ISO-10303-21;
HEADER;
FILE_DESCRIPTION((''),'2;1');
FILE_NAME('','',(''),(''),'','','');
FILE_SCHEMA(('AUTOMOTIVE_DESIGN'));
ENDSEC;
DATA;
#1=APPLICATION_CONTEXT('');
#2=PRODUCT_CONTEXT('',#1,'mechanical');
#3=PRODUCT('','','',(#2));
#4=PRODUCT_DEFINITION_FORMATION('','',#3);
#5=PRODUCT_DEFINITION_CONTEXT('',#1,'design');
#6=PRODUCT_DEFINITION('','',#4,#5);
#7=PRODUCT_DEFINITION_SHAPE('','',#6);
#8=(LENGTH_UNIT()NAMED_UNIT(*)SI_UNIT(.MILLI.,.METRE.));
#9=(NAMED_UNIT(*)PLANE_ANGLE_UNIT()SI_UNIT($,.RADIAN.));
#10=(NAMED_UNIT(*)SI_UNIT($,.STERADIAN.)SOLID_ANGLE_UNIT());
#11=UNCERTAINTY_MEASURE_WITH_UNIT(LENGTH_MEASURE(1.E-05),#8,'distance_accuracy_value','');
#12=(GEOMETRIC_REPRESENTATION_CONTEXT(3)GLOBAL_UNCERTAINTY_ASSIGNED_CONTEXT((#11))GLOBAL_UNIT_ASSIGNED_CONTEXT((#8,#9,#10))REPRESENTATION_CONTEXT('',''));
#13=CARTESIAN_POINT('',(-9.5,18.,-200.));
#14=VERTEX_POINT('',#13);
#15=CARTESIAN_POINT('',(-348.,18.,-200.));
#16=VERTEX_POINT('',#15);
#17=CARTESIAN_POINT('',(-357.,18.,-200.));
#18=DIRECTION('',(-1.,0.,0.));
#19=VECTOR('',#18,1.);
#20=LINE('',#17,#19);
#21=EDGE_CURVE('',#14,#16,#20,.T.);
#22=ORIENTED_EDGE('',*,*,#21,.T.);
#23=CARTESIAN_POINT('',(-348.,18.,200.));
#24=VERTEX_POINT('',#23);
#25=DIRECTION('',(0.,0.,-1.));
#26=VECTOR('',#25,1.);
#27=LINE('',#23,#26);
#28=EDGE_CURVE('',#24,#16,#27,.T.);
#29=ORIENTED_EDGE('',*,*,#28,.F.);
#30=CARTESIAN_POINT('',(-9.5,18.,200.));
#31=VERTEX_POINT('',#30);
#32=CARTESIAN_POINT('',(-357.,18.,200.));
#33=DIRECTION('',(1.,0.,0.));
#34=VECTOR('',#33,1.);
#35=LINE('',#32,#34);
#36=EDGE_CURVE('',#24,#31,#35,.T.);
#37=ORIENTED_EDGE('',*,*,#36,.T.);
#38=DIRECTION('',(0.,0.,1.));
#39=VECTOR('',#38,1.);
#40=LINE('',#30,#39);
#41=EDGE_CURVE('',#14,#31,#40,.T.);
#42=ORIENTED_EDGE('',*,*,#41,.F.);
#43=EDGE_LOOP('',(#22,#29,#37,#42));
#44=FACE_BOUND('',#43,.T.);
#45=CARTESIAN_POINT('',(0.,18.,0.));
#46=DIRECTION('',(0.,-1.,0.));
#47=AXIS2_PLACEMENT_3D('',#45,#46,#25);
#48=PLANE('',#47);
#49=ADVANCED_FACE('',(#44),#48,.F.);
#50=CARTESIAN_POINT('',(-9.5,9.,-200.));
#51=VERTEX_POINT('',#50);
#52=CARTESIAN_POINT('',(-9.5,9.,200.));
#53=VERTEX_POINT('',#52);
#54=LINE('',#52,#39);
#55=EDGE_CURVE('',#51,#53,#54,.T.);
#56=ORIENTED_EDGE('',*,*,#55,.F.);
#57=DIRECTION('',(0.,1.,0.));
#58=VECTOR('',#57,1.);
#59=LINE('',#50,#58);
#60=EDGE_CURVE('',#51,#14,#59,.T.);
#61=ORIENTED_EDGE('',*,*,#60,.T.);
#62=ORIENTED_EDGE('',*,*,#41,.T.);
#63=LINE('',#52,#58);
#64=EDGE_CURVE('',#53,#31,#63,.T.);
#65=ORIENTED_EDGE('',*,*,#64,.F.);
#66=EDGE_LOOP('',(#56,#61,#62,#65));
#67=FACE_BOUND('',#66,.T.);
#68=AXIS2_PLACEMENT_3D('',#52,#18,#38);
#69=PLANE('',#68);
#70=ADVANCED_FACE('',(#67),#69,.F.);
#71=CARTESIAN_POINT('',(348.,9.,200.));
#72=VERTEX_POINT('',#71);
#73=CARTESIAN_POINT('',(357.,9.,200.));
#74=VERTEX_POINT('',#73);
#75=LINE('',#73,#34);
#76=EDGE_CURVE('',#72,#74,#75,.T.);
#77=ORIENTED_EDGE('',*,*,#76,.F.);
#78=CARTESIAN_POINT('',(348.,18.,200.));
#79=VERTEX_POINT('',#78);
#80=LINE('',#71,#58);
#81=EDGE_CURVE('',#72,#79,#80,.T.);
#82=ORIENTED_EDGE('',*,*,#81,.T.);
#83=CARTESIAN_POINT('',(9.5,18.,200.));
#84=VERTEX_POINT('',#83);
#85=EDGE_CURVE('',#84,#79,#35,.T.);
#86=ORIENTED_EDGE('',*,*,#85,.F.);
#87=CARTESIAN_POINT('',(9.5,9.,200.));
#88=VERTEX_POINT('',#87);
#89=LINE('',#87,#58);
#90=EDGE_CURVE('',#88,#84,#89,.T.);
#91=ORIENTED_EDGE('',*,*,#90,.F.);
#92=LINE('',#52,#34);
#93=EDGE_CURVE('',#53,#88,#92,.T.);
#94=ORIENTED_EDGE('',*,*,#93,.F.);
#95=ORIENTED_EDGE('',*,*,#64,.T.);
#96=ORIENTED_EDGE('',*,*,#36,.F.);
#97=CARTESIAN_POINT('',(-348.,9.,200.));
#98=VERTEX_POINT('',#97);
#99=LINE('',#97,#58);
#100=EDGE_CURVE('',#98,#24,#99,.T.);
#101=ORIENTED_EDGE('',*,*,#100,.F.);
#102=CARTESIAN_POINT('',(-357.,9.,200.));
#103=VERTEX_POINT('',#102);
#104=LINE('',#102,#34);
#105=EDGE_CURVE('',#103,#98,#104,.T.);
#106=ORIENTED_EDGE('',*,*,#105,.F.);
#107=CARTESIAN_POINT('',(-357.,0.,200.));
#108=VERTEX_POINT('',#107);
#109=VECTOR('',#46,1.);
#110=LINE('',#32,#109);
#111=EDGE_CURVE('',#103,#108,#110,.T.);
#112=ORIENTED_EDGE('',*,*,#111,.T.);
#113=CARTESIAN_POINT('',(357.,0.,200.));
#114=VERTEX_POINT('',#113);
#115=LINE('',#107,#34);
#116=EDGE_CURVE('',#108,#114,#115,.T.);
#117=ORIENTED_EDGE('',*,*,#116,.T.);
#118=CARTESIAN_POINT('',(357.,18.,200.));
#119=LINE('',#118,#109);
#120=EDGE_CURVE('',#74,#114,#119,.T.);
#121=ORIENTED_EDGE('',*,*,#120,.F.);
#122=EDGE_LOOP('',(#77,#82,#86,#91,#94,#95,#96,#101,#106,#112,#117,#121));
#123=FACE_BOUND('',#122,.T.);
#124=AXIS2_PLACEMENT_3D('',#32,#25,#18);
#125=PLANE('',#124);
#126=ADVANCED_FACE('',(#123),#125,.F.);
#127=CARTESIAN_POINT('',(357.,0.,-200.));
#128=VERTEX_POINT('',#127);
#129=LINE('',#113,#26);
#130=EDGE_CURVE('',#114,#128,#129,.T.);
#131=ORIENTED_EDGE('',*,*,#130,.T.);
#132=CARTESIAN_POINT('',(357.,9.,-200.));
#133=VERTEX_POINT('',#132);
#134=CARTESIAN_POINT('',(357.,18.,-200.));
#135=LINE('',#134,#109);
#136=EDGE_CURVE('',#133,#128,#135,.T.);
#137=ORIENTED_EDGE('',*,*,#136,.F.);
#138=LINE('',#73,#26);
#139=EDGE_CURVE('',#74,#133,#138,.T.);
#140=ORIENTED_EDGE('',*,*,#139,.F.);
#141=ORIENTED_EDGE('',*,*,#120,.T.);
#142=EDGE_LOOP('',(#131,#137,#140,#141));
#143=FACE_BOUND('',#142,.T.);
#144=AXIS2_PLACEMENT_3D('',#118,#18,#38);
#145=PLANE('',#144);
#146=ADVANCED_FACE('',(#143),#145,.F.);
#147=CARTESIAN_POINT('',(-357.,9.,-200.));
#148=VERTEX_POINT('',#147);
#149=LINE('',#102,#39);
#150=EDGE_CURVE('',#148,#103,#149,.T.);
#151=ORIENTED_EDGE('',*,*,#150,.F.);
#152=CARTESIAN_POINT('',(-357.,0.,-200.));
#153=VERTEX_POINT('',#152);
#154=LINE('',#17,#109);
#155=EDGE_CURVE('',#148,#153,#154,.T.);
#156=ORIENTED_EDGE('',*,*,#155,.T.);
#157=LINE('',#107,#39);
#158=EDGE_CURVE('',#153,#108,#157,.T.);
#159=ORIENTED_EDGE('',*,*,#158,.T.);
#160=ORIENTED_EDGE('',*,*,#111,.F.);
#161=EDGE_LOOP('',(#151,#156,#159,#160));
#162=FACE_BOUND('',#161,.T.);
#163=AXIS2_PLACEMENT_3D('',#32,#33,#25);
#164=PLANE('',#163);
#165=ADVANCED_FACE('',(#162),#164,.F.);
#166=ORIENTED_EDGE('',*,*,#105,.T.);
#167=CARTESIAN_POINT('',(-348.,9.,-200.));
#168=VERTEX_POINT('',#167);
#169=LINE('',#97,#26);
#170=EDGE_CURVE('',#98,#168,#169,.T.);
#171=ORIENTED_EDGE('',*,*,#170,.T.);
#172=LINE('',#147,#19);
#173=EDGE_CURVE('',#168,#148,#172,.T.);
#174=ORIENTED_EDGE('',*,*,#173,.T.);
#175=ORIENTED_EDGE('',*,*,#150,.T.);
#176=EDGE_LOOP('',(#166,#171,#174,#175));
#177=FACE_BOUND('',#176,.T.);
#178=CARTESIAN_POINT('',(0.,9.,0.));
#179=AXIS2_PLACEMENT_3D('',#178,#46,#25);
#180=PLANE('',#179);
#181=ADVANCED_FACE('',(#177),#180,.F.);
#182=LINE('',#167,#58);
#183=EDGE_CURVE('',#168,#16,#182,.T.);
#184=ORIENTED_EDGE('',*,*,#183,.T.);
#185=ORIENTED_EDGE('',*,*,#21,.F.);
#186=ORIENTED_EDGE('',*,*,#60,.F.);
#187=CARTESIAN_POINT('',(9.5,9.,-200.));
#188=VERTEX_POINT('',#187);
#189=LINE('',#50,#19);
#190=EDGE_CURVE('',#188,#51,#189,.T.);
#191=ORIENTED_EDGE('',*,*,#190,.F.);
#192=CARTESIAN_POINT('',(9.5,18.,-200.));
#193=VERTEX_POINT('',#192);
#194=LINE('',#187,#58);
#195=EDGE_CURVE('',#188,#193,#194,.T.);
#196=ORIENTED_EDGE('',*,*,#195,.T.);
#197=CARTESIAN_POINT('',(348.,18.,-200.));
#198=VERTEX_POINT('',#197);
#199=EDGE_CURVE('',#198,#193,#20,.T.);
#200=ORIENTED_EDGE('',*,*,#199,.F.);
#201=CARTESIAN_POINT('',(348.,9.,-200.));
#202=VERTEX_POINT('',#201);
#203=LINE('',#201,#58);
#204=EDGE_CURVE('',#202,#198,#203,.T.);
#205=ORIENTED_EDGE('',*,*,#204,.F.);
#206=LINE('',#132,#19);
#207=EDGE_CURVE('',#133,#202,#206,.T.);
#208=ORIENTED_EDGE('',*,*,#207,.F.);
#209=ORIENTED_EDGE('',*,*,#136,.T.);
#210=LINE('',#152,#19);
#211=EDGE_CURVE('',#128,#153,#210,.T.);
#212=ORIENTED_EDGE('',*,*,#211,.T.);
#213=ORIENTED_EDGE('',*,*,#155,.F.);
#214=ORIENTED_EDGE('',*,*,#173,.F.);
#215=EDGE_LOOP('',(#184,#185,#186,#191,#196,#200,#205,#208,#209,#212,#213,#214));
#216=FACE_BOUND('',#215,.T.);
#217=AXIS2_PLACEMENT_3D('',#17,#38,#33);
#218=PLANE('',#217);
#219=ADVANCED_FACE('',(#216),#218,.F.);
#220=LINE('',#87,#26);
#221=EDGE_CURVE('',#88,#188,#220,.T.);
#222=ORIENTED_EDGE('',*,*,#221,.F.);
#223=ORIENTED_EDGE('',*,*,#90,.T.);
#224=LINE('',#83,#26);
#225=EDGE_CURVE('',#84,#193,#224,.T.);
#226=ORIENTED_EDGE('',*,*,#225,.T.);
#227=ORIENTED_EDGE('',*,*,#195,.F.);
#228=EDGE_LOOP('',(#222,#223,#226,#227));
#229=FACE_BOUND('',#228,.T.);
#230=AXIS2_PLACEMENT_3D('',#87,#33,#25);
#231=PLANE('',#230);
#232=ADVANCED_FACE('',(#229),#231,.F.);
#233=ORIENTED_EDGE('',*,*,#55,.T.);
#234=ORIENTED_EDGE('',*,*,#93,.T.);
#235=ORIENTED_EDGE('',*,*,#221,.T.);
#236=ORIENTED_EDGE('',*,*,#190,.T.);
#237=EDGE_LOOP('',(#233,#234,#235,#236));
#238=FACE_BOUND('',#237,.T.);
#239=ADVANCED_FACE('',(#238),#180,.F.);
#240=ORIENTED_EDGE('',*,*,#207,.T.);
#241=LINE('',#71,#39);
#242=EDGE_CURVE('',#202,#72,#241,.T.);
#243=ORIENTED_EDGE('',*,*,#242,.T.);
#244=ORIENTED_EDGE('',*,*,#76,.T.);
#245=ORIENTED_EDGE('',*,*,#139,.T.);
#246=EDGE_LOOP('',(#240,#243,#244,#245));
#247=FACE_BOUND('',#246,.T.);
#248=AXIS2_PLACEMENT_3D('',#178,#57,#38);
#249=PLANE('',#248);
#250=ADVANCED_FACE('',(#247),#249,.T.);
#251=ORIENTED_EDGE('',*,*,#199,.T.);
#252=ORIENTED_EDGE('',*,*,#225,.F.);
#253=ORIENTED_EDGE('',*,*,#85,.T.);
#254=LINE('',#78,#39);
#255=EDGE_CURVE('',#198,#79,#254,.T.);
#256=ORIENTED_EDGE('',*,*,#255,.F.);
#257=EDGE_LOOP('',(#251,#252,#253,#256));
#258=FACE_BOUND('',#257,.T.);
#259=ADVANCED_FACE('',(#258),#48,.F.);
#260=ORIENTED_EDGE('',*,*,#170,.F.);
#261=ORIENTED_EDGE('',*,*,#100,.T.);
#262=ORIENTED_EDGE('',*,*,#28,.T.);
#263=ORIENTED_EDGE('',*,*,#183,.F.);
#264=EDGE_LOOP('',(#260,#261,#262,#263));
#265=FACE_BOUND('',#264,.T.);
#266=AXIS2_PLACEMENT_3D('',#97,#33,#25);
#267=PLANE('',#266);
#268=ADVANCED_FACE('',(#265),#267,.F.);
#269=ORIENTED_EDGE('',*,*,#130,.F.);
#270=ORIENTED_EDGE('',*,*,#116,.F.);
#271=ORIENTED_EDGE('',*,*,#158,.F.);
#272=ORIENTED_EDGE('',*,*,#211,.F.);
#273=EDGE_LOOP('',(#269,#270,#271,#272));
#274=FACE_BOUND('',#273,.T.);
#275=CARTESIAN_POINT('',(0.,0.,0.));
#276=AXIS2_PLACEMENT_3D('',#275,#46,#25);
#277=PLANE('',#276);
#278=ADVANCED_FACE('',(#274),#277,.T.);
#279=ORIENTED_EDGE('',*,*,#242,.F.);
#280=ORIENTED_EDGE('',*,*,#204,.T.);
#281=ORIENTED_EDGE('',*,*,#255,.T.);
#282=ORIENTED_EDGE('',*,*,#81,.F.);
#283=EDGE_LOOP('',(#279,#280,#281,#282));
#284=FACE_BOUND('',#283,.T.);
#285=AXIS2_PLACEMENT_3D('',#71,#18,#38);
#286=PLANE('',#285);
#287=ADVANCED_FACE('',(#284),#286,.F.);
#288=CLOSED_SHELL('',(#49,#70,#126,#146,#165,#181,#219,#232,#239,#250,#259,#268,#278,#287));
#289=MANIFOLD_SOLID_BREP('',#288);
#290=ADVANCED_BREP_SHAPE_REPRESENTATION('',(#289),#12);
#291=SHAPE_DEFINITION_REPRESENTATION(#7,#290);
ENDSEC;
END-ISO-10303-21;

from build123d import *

# Parameters (mm, degrees)
SKETCH1_W           = 714
SKETCH1_H           = 400
BOSS_EXTRUDE1_DEPTH = 18
SKETCH2_W           = 9
SKETCH2_H           = 400
CUT_EXTRUDE1_DEPTH  = 9
SKETCH3_W           = 19
SKETCH3_H           = 400
CUT_EXTRUDE2_DEPTH  = 9


with BuildPart() as part:
    # Sketch1 → Boss-Extrude1 (new body)
    with BuildSketch(Plane(origin=(0, 0, 0), x_dir=(1, 0, 0), z_dir=(0, 1, 0))):
        Rectangle(SKETCH1_W, SKETCH1_H)
    extrude(amount=BOSS_EXTRUDE1_DEPTH)

    # Sketch2 → Cut-Extrude1 (cut)
    with BuildSketch(Plane(origin=(0, 18, 0), x_dir=(1, 0, 0), z_dir=(0, 1, 0))):
        with Locations((352.5, 0)):
            Rectangle(SKETCH2_W, SKETCH2_H)
        with Locations((-352.5, 0)):
            Rectangle(SKETCH2_W, SKETCH2_H)
    extrude(amount=-CUT_EXTRUDE1_DEPTH, mode=Mode.SUBTRACT)

    # Sketch3 → Cut-Extrude2 (cut)
    with BuildSketch(Plane(origin=(0, 18, 0), x_dir=(1, 0, 0), z_dir=(0, 1, 0))):
        Rectangle(SKETCH3_W, SKETCH3_H)
    extrude(amount=-CUT_EXTRUDE2_DEPTH, mode=Mode.SUBTRACT)


solid = part.part
